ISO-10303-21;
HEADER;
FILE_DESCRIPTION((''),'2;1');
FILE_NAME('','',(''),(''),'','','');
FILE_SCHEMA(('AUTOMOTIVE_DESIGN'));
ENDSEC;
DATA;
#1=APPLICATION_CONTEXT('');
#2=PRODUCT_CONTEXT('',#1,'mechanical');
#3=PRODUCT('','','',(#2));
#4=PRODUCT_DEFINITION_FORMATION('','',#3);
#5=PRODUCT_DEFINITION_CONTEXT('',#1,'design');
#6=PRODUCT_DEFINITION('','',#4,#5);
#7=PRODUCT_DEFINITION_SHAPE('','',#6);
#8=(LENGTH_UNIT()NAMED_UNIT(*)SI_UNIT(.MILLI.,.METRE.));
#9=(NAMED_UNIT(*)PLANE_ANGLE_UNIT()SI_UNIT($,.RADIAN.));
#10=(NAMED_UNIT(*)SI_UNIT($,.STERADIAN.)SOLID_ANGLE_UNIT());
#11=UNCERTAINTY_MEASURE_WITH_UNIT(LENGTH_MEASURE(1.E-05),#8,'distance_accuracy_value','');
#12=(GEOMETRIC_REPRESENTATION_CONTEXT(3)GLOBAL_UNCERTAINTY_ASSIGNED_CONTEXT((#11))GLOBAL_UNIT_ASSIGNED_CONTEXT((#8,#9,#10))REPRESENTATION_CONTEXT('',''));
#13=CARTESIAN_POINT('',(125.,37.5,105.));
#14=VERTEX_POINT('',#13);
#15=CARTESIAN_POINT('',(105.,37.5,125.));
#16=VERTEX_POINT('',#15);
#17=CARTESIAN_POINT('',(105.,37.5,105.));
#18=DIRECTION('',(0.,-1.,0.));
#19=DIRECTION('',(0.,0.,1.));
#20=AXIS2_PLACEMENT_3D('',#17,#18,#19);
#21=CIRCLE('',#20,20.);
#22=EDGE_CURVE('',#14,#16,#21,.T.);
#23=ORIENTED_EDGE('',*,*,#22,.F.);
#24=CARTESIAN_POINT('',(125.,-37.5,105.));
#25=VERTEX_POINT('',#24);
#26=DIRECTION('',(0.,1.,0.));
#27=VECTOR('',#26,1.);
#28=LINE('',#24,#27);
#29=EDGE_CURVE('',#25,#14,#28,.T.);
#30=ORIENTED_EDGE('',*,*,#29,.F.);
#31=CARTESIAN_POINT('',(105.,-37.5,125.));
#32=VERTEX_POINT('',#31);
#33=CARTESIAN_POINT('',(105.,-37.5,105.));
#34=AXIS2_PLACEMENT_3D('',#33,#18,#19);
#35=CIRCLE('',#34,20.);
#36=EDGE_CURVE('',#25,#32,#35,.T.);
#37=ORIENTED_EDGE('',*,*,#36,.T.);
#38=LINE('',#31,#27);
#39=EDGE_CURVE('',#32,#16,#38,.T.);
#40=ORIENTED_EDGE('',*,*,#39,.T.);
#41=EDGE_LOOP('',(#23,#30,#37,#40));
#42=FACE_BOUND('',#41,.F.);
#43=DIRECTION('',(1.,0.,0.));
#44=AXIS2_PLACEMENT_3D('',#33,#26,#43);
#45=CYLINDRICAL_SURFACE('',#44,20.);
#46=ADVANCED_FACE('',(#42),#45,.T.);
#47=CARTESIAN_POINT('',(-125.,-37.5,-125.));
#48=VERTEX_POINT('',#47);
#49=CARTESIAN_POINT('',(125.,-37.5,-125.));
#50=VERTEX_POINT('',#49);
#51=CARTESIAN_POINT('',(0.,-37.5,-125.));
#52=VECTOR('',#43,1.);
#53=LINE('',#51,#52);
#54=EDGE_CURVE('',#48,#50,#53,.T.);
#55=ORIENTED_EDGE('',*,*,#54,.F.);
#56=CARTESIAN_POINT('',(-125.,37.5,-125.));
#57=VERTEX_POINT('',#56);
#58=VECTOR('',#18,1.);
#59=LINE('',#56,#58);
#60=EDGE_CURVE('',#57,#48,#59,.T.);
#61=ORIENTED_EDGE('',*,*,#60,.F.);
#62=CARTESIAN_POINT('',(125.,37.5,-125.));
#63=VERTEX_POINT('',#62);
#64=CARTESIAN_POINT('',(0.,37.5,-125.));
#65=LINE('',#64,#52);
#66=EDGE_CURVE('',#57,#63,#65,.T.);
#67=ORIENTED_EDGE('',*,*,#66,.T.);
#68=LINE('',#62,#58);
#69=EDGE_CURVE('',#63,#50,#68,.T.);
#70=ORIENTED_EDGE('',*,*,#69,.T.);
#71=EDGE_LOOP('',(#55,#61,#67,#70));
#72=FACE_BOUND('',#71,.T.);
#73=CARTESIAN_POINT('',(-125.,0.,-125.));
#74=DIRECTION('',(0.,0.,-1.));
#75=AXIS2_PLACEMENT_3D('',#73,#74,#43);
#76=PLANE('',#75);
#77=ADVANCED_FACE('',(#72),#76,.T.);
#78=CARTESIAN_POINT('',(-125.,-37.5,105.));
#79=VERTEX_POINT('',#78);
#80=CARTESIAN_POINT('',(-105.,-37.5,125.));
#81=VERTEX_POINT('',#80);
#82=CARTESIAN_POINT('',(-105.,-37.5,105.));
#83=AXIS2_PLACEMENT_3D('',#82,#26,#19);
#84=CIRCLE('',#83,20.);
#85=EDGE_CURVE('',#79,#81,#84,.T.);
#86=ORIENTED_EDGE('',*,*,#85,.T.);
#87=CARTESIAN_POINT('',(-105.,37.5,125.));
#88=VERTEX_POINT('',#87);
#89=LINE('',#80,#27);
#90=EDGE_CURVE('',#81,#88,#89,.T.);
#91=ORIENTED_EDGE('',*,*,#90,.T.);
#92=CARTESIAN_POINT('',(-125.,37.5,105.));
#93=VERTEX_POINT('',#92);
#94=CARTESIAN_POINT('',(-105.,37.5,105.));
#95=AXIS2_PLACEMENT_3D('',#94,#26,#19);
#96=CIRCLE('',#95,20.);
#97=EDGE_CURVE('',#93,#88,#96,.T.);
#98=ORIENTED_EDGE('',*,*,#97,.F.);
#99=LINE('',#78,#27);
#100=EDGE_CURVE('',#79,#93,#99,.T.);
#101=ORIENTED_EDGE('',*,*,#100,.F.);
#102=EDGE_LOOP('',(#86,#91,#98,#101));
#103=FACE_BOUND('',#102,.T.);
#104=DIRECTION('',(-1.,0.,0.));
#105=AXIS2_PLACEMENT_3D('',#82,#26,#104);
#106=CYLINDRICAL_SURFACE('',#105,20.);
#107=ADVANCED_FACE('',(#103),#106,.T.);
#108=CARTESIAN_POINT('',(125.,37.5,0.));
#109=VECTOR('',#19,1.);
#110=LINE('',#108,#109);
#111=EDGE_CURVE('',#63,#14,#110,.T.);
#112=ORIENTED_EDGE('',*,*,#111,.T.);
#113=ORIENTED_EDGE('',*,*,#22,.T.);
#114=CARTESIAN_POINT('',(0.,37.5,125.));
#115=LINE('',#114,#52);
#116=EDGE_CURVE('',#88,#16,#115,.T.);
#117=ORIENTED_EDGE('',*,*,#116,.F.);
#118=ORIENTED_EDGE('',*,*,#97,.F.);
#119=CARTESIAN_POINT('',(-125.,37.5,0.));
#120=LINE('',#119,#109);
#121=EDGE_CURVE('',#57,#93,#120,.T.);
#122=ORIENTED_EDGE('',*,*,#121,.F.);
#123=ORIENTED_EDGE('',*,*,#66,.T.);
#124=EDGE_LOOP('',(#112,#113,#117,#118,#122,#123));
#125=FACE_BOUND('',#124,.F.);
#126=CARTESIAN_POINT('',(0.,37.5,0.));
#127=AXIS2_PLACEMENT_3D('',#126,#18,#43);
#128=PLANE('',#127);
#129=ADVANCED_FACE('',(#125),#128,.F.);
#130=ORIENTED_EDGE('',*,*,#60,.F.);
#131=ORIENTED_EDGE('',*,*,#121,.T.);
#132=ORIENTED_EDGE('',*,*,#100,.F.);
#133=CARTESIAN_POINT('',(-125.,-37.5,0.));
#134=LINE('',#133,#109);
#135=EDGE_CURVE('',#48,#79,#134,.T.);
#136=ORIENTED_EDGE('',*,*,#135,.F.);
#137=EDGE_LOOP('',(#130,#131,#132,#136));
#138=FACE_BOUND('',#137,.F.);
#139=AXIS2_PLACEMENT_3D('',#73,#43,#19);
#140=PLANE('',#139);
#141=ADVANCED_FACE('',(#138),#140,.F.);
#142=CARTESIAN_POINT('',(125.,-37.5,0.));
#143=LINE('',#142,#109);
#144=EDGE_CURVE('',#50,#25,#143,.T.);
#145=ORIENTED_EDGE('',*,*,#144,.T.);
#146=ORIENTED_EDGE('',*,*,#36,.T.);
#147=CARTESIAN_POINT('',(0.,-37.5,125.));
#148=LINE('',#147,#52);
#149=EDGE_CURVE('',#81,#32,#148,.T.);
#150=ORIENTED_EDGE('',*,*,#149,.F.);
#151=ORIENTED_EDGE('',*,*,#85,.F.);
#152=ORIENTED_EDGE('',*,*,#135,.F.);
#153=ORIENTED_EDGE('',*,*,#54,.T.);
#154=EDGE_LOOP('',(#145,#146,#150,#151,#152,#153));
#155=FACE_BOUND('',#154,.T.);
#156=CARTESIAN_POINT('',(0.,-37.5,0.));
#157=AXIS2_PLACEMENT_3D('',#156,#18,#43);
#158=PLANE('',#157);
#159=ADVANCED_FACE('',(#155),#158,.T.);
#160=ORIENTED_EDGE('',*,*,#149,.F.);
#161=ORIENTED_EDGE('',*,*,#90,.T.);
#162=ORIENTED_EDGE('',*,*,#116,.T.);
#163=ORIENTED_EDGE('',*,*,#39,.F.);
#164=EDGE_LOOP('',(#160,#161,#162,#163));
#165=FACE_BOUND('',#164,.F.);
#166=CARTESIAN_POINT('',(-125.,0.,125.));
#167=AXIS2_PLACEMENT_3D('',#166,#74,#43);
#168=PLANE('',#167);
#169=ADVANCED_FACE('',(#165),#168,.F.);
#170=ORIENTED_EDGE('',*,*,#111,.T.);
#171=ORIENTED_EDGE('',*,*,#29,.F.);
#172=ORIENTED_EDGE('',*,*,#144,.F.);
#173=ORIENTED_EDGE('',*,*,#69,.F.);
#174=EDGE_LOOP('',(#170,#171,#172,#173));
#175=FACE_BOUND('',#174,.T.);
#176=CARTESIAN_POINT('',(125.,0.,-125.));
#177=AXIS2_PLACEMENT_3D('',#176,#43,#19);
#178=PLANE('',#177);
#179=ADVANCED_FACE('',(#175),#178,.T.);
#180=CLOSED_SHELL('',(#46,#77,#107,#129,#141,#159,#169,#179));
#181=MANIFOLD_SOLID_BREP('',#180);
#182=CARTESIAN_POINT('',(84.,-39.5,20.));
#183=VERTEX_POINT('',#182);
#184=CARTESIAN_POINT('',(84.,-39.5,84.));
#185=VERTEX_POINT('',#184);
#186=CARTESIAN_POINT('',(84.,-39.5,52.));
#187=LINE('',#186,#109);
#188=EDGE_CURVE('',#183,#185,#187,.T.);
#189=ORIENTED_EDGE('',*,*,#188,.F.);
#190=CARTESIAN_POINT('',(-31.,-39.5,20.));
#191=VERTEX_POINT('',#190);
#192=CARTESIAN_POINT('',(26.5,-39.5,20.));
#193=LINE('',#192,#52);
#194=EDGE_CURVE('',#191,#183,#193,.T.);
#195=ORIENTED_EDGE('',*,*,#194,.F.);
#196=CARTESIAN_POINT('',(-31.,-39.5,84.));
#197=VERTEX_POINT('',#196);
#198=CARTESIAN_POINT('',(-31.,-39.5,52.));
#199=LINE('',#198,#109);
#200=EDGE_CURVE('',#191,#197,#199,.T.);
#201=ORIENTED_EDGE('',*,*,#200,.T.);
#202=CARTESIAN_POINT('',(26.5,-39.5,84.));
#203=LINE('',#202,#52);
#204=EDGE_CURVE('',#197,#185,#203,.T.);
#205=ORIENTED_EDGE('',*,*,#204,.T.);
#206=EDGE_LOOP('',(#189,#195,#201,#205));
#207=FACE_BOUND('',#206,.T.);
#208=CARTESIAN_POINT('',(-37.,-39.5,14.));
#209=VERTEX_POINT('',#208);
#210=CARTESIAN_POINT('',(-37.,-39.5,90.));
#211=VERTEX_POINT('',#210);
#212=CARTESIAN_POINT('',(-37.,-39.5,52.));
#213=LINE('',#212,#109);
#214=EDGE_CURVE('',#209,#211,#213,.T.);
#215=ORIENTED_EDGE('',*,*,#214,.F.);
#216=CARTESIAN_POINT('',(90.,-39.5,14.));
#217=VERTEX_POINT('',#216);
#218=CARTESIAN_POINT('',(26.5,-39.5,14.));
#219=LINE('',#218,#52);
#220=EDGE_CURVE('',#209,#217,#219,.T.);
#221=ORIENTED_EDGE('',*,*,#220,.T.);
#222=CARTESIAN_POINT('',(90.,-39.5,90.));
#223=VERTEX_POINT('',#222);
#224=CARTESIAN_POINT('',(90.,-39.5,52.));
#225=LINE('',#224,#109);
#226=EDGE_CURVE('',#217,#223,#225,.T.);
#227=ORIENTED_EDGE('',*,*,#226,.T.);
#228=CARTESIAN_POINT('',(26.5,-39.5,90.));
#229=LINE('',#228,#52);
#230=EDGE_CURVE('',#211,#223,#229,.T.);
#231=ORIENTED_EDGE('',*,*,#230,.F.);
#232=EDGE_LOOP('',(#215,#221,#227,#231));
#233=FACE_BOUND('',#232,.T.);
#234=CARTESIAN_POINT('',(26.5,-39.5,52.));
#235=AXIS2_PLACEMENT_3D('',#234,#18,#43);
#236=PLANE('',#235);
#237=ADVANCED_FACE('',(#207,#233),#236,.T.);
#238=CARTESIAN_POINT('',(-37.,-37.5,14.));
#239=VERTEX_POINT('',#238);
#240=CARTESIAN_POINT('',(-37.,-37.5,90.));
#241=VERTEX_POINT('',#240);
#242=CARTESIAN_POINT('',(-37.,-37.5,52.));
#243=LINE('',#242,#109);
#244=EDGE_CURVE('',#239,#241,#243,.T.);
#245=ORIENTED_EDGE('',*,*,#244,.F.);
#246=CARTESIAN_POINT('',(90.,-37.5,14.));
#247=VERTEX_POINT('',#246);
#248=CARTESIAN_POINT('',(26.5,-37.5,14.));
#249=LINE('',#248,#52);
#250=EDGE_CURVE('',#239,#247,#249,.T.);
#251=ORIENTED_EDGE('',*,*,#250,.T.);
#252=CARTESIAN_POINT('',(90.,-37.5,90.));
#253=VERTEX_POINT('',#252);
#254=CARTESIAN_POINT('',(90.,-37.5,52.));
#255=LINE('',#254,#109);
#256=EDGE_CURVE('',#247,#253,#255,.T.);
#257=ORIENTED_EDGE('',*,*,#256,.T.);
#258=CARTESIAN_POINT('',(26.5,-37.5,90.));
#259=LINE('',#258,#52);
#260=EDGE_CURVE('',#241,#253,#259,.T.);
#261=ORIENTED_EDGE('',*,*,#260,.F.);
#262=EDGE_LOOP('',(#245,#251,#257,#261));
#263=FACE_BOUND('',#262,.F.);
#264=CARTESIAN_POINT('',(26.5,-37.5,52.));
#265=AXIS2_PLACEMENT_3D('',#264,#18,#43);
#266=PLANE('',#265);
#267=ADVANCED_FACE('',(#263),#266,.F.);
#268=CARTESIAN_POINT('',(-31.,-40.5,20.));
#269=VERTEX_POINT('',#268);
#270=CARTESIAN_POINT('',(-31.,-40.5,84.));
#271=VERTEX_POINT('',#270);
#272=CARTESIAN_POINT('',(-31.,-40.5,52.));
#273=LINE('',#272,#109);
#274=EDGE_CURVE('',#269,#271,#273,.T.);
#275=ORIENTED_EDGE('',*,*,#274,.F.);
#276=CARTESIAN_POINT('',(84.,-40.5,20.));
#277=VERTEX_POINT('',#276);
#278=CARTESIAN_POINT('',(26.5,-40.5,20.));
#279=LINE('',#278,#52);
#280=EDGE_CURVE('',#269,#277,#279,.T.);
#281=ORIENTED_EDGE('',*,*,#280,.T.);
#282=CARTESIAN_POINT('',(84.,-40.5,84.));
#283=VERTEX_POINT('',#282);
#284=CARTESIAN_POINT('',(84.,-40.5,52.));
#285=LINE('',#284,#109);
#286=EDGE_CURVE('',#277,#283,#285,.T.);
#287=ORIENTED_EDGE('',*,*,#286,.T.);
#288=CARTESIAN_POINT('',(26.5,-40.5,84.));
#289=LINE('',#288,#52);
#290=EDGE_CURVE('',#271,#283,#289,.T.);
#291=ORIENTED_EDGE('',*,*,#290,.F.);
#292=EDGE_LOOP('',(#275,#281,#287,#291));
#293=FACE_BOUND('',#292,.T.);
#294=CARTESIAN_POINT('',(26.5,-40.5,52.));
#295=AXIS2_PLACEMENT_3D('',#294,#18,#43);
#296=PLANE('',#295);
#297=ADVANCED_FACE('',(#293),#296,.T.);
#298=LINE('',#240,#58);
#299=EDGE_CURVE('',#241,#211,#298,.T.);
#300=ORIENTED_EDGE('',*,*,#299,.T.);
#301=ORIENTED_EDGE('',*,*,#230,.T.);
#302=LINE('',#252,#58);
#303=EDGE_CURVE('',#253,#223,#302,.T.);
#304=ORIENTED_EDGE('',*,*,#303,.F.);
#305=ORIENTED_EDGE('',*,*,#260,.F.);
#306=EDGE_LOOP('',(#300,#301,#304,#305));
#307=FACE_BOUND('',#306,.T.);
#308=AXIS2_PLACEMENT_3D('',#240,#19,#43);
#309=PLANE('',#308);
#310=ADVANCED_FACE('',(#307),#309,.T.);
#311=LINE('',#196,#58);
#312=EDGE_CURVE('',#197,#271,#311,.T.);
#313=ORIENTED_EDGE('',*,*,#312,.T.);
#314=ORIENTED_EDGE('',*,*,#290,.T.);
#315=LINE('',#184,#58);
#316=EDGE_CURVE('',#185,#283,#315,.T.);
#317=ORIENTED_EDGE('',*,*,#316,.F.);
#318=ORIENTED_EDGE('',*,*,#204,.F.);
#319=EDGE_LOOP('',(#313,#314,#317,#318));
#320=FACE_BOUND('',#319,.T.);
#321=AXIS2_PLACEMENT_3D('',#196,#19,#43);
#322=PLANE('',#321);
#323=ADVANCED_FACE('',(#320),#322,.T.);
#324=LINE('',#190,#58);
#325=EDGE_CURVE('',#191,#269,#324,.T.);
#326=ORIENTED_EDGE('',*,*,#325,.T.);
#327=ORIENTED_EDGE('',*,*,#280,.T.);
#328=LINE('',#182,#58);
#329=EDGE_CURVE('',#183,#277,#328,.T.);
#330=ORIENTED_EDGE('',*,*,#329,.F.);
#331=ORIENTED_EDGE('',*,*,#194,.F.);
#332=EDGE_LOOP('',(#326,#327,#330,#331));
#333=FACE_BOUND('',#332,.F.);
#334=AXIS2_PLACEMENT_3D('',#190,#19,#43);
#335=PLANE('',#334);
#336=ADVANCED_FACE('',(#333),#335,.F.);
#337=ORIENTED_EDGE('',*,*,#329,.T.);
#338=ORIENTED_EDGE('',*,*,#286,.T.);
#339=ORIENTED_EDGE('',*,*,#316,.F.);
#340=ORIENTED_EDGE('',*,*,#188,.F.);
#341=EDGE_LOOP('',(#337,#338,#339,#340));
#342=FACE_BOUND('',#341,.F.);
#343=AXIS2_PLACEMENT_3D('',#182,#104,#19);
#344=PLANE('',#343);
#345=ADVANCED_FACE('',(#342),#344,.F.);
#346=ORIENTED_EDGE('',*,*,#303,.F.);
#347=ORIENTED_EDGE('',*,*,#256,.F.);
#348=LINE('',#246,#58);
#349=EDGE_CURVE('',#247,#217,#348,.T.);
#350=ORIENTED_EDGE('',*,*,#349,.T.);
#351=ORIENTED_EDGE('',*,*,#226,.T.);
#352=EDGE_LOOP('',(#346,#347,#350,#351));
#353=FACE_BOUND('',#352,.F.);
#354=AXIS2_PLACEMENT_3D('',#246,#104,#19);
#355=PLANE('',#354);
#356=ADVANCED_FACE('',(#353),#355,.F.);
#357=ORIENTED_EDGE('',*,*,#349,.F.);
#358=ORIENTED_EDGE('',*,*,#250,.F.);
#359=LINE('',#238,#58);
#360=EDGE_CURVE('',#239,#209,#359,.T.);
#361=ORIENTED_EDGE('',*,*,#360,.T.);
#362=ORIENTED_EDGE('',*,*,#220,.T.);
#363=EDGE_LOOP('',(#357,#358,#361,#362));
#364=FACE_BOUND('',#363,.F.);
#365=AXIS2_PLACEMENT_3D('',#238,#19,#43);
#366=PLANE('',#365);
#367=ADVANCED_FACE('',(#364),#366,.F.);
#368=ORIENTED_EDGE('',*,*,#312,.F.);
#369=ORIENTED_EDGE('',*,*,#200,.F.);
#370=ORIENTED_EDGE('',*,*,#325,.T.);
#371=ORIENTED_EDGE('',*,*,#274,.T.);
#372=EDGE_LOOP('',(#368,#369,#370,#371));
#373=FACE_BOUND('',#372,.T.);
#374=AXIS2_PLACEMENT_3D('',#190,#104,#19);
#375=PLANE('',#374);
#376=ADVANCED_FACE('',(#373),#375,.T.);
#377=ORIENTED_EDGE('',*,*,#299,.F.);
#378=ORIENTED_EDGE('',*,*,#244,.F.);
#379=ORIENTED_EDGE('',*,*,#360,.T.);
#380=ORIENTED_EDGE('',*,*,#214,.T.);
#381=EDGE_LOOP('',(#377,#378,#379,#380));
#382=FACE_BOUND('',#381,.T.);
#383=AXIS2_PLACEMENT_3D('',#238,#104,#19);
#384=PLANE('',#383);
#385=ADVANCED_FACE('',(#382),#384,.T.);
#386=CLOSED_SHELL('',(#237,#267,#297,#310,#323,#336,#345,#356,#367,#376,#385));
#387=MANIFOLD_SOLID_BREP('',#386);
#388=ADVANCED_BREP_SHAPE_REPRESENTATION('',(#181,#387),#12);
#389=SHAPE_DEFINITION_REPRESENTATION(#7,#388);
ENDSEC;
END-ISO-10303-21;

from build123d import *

# Parameters (mm, degrees)
F0_W     = 250
F0_H     = 250
F1_DEPTH = 37.5
F2_R     = 20
F3_W     = 127
F3_H     = 76
F4_DEPTH = 2
F5_W     = 115
F5_H     = 64
F6_DEPTH = 1


with BuildPart() as f1:
    # F0 (on Front) → F1 (new body, symmetric)
    with BuildSketch(Plane.XZ):
        Rectangle(F0_W, F0_H)
    extrude(amount=F1_DEPTH, both=True)

    # F2
    f2_edges = [f1.edges().sort_by_distance(p)[0] for p in [
        (125, 0, 125),
        (-125, 0, 125),
    ]]
    fillet(f2_edges, radius=F2_R)


with BuildPart() as f4:
    # F3 (on face) → F4 (new body)
    with BuildSketch(Plane.XZ.offset(37.5)):
        with Locations((26.5, 52)):
            Rectangle(F3_W, F3_H)
    extrude(amount=F4_DEPTH)

    # F5 (on face) → F6 (join)
    with BuildSketch(Plane.XZ.offset(39.5)):
        with Locations((26.5, 52)):
            Rectangle(F5_W, F5_H)
    extrude(amount=F6_DEPTH)


solid = Compound([f1.part, f4.part])
